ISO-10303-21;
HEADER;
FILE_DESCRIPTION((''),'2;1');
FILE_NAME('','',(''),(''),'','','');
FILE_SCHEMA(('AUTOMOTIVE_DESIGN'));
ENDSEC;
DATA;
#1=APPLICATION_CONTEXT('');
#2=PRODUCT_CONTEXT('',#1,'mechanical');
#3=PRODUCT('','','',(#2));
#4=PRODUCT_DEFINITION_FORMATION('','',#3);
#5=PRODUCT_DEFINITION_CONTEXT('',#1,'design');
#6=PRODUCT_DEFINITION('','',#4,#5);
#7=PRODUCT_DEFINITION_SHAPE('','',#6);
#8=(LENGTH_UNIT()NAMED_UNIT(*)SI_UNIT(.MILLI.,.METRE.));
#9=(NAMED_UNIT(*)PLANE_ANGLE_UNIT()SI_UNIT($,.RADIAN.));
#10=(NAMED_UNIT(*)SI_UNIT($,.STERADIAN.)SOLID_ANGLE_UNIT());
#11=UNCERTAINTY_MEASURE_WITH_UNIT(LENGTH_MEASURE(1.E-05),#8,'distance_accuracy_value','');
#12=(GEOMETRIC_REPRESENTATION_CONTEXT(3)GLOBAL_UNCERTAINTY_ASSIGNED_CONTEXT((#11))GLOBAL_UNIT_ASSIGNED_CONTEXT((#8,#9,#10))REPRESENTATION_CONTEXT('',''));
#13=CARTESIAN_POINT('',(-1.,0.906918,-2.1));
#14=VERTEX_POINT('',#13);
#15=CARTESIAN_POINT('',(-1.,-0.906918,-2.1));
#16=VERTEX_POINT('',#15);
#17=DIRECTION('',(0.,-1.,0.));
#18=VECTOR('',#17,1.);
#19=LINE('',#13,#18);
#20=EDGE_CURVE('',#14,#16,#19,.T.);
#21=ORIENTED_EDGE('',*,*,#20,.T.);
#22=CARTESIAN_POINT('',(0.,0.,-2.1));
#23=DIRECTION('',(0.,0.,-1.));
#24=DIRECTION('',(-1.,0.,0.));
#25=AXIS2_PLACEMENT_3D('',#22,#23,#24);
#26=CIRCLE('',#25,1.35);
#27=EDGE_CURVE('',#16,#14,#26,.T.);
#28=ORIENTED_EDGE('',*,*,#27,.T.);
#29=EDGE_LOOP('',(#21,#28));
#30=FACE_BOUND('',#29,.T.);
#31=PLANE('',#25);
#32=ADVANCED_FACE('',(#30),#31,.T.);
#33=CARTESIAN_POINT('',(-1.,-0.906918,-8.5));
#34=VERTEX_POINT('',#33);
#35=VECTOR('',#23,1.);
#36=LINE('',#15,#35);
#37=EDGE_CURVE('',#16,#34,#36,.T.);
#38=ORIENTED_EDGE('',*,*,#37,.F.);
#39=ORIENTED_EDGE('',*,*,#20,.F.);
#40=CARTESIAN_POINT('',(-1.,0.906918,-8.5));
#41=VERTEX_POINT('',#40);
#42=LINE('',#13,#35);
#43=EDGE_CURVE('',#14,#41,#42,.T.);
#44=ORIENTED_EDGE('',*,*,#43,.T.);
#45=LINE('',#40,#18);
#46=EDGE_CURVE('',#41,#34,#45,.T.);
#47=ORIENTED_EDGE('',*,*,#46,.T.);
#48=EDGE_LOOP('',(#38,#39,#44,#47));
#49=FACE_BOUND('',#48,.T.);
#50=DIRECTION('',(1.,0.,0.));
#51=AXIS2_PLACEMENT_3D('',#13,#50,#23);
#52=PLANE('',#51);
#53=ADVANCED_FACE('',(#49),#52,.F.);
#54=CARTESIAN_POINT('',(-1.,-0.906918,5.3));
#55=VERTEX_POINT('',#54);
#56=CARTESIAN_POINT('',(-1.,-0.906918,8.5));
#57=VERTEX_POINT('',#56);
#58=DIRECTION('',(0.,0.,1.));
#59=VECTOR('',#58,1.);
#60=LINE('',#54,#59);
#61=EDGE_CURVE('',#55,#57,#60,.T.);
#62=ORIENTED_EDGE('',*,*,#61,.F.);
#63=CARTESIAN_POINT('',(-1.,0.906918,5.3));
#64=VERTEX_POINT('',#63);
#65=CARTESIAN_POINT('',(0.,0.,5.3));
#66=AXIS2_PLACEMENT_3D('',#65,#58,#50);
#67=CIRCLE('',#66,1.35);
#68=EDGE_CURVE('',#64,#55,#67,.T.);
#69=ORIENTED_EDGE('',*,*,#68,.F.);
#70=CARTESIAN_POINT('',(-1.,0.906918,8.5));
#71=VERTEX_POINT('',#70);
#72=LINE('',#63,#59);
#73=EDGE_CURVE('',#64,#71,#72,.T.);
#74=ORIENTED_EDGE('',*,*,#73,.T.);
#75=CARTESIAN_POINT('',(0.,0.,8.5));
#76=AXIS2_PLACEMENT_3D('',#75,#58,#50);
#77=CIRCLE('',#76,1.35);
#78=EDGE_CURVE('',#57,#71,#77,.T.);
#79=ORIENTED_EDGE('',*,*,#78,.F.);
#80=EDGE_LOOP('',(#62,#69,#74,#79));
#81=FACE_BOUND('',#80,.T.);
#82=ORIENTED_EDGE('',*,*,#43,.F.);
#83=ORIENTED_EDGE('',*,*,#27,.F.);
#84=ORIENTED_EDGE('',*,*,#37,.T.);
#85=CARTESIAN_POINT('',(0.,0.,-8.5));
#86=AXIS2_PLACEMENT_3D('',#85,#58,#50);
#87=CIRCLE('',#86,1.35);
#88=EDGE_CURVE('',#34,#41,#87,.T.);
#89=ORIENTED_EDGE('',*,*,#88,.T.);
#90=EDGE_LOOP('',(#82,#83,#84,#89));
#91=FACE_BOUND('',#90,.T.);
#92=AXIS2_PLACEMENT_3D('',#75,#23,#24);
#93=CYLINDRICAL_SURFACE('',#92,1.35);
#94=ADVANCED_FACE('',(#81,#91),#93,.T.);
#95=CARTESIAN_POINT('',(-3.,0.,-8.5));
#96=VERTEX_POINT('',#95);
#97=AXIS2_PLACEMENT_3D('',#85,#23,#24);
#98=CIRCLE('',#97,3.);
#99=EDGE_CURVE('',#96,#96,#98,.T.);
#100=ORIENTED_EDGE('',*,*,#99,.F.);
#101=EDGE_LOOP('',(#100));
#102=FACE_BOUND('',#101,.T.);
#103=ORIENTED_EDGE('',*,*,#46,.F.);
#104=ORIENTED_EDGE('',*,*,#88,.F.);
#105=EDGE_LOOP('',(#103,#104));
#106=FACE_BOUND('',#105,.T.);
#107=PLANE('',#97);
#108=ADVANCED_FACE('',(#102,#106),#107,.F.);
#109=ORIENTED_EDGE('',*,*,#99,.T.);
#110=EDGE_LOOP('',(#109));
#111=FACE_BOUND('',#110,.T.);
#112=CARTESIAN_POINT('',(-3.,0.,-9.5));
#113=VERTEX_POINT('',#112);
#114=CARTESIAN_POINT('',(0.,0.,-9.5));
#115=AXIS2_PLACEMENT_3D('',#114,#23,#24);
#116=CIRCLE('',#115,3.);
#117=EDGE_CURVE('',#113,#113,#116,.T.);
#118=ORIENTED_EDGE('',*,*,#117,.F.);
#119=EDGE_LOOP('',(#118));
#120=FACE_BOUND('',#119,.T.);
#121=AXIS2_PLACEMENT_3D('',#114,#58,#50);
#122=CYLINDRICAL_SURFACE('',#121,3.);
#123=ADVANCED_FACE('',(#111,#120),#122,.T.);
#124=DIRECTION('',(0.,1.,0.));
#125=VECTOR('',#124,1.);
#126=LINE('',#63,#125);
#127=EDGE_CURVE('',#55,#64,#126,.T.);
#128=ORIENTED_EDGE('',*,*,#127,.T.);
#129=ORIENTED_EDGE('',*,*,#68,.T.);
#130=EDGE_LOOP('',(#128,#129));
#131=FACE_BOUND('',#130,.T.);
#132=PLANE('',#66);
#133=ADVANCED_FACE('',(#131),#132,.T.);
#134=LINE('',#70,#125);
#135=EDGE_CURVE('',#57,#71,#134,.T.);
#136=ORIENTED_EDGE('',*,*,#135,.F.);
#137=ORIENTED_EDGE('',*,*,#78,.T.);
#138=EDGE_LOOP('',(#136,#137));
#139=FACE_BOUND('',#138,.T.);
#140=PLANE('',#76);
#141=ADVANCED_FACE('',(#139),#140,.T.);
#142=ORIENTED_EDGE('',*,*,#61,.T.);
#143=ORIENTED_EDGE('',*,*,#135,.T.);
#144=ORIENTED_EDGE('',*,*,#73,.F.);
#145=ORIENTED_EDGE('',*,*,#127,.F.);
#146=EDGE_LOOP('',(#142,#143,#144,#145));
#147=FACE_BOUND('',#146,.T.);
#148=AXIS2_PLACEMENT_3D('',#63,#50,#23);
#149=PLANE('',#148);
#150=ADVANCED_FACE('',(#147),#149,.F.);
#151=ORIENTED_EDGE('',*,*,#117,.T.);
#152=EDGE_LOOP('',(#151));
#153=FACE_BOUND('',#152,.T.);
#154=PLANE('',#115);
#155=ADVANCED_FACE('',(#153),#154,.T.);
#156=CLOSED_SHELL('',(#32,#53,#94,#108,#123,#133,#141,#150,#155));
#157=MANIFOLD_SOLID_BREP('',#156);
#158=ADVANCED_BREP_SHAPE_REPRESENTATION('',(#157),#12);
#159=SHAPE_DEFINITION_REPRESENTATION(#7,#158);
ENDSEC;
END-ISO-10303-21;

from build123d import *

# Parameters (mm, degrees)
SKETCH2_R           = 1.35
BOSS_EXTRUDE1_DEPTH = 8.5
CUT_EXTRUDE1_DEPTH  = 6.4
CUT_EXTRUDE2_DEPTH  = 3.2
SKETCH6_R           = 3
BOSS_EXTRUDE2_DEPTH = 1


with BuildPart() as part:
    # Sketch2 → Boss-Extrude1 (new body, symmetric)
    with BuildSketch(Plane.XY):
        Circle(SKETCH2_R)
    extrude(amount=BOSS_EXTRUDE1_DEPTH, both=True)

    # Sketch4 → Cut-Extrude1 (cut)
    with BuildSketch(Plane(origin=(0, 0, -8.5), x_dir=(-1, 0, 0), z_dir=(0, 0, -1))):
        with BuildLine():
            Line((1, 0.906917857), (1, -0.906917857))
            ThreePointArc((1, -0.906917857), (1.35, 0), (1, 0.906917857))
        make_face()
    extrude(amount=-CUT_EXTRUDE1_DEPTH, mode=Mode.SUBTRACT)

    # Sketch5 → Cut-Extrude2 (cut)
    with BuildSketch(Plane.XY.offset(8.5)):
        with BuildLine():
            Line((-1, 0.906917857), (-1, -0.906917857))
            ThreePointArc((-1, -0.906917857), (-1.35, 0), (-1, 0.906917857))
        make_face()
    extrude(amount=-CUT_EXTRUDE2_DEPTH, mode=Mode.SUBTRACT)

    # Sketch6 → Boss-Extrude2 (add)
    with BuildSketch(Plane(origin=(0, 0, -8.5), x_dir=(-1, 0, 0), z_dir=(0, 0, -1))):
        Circle(SKETCH6_R)
    extrude(amount=BOSS_EXTRUDE2_DEPTH)


solid = part.part
